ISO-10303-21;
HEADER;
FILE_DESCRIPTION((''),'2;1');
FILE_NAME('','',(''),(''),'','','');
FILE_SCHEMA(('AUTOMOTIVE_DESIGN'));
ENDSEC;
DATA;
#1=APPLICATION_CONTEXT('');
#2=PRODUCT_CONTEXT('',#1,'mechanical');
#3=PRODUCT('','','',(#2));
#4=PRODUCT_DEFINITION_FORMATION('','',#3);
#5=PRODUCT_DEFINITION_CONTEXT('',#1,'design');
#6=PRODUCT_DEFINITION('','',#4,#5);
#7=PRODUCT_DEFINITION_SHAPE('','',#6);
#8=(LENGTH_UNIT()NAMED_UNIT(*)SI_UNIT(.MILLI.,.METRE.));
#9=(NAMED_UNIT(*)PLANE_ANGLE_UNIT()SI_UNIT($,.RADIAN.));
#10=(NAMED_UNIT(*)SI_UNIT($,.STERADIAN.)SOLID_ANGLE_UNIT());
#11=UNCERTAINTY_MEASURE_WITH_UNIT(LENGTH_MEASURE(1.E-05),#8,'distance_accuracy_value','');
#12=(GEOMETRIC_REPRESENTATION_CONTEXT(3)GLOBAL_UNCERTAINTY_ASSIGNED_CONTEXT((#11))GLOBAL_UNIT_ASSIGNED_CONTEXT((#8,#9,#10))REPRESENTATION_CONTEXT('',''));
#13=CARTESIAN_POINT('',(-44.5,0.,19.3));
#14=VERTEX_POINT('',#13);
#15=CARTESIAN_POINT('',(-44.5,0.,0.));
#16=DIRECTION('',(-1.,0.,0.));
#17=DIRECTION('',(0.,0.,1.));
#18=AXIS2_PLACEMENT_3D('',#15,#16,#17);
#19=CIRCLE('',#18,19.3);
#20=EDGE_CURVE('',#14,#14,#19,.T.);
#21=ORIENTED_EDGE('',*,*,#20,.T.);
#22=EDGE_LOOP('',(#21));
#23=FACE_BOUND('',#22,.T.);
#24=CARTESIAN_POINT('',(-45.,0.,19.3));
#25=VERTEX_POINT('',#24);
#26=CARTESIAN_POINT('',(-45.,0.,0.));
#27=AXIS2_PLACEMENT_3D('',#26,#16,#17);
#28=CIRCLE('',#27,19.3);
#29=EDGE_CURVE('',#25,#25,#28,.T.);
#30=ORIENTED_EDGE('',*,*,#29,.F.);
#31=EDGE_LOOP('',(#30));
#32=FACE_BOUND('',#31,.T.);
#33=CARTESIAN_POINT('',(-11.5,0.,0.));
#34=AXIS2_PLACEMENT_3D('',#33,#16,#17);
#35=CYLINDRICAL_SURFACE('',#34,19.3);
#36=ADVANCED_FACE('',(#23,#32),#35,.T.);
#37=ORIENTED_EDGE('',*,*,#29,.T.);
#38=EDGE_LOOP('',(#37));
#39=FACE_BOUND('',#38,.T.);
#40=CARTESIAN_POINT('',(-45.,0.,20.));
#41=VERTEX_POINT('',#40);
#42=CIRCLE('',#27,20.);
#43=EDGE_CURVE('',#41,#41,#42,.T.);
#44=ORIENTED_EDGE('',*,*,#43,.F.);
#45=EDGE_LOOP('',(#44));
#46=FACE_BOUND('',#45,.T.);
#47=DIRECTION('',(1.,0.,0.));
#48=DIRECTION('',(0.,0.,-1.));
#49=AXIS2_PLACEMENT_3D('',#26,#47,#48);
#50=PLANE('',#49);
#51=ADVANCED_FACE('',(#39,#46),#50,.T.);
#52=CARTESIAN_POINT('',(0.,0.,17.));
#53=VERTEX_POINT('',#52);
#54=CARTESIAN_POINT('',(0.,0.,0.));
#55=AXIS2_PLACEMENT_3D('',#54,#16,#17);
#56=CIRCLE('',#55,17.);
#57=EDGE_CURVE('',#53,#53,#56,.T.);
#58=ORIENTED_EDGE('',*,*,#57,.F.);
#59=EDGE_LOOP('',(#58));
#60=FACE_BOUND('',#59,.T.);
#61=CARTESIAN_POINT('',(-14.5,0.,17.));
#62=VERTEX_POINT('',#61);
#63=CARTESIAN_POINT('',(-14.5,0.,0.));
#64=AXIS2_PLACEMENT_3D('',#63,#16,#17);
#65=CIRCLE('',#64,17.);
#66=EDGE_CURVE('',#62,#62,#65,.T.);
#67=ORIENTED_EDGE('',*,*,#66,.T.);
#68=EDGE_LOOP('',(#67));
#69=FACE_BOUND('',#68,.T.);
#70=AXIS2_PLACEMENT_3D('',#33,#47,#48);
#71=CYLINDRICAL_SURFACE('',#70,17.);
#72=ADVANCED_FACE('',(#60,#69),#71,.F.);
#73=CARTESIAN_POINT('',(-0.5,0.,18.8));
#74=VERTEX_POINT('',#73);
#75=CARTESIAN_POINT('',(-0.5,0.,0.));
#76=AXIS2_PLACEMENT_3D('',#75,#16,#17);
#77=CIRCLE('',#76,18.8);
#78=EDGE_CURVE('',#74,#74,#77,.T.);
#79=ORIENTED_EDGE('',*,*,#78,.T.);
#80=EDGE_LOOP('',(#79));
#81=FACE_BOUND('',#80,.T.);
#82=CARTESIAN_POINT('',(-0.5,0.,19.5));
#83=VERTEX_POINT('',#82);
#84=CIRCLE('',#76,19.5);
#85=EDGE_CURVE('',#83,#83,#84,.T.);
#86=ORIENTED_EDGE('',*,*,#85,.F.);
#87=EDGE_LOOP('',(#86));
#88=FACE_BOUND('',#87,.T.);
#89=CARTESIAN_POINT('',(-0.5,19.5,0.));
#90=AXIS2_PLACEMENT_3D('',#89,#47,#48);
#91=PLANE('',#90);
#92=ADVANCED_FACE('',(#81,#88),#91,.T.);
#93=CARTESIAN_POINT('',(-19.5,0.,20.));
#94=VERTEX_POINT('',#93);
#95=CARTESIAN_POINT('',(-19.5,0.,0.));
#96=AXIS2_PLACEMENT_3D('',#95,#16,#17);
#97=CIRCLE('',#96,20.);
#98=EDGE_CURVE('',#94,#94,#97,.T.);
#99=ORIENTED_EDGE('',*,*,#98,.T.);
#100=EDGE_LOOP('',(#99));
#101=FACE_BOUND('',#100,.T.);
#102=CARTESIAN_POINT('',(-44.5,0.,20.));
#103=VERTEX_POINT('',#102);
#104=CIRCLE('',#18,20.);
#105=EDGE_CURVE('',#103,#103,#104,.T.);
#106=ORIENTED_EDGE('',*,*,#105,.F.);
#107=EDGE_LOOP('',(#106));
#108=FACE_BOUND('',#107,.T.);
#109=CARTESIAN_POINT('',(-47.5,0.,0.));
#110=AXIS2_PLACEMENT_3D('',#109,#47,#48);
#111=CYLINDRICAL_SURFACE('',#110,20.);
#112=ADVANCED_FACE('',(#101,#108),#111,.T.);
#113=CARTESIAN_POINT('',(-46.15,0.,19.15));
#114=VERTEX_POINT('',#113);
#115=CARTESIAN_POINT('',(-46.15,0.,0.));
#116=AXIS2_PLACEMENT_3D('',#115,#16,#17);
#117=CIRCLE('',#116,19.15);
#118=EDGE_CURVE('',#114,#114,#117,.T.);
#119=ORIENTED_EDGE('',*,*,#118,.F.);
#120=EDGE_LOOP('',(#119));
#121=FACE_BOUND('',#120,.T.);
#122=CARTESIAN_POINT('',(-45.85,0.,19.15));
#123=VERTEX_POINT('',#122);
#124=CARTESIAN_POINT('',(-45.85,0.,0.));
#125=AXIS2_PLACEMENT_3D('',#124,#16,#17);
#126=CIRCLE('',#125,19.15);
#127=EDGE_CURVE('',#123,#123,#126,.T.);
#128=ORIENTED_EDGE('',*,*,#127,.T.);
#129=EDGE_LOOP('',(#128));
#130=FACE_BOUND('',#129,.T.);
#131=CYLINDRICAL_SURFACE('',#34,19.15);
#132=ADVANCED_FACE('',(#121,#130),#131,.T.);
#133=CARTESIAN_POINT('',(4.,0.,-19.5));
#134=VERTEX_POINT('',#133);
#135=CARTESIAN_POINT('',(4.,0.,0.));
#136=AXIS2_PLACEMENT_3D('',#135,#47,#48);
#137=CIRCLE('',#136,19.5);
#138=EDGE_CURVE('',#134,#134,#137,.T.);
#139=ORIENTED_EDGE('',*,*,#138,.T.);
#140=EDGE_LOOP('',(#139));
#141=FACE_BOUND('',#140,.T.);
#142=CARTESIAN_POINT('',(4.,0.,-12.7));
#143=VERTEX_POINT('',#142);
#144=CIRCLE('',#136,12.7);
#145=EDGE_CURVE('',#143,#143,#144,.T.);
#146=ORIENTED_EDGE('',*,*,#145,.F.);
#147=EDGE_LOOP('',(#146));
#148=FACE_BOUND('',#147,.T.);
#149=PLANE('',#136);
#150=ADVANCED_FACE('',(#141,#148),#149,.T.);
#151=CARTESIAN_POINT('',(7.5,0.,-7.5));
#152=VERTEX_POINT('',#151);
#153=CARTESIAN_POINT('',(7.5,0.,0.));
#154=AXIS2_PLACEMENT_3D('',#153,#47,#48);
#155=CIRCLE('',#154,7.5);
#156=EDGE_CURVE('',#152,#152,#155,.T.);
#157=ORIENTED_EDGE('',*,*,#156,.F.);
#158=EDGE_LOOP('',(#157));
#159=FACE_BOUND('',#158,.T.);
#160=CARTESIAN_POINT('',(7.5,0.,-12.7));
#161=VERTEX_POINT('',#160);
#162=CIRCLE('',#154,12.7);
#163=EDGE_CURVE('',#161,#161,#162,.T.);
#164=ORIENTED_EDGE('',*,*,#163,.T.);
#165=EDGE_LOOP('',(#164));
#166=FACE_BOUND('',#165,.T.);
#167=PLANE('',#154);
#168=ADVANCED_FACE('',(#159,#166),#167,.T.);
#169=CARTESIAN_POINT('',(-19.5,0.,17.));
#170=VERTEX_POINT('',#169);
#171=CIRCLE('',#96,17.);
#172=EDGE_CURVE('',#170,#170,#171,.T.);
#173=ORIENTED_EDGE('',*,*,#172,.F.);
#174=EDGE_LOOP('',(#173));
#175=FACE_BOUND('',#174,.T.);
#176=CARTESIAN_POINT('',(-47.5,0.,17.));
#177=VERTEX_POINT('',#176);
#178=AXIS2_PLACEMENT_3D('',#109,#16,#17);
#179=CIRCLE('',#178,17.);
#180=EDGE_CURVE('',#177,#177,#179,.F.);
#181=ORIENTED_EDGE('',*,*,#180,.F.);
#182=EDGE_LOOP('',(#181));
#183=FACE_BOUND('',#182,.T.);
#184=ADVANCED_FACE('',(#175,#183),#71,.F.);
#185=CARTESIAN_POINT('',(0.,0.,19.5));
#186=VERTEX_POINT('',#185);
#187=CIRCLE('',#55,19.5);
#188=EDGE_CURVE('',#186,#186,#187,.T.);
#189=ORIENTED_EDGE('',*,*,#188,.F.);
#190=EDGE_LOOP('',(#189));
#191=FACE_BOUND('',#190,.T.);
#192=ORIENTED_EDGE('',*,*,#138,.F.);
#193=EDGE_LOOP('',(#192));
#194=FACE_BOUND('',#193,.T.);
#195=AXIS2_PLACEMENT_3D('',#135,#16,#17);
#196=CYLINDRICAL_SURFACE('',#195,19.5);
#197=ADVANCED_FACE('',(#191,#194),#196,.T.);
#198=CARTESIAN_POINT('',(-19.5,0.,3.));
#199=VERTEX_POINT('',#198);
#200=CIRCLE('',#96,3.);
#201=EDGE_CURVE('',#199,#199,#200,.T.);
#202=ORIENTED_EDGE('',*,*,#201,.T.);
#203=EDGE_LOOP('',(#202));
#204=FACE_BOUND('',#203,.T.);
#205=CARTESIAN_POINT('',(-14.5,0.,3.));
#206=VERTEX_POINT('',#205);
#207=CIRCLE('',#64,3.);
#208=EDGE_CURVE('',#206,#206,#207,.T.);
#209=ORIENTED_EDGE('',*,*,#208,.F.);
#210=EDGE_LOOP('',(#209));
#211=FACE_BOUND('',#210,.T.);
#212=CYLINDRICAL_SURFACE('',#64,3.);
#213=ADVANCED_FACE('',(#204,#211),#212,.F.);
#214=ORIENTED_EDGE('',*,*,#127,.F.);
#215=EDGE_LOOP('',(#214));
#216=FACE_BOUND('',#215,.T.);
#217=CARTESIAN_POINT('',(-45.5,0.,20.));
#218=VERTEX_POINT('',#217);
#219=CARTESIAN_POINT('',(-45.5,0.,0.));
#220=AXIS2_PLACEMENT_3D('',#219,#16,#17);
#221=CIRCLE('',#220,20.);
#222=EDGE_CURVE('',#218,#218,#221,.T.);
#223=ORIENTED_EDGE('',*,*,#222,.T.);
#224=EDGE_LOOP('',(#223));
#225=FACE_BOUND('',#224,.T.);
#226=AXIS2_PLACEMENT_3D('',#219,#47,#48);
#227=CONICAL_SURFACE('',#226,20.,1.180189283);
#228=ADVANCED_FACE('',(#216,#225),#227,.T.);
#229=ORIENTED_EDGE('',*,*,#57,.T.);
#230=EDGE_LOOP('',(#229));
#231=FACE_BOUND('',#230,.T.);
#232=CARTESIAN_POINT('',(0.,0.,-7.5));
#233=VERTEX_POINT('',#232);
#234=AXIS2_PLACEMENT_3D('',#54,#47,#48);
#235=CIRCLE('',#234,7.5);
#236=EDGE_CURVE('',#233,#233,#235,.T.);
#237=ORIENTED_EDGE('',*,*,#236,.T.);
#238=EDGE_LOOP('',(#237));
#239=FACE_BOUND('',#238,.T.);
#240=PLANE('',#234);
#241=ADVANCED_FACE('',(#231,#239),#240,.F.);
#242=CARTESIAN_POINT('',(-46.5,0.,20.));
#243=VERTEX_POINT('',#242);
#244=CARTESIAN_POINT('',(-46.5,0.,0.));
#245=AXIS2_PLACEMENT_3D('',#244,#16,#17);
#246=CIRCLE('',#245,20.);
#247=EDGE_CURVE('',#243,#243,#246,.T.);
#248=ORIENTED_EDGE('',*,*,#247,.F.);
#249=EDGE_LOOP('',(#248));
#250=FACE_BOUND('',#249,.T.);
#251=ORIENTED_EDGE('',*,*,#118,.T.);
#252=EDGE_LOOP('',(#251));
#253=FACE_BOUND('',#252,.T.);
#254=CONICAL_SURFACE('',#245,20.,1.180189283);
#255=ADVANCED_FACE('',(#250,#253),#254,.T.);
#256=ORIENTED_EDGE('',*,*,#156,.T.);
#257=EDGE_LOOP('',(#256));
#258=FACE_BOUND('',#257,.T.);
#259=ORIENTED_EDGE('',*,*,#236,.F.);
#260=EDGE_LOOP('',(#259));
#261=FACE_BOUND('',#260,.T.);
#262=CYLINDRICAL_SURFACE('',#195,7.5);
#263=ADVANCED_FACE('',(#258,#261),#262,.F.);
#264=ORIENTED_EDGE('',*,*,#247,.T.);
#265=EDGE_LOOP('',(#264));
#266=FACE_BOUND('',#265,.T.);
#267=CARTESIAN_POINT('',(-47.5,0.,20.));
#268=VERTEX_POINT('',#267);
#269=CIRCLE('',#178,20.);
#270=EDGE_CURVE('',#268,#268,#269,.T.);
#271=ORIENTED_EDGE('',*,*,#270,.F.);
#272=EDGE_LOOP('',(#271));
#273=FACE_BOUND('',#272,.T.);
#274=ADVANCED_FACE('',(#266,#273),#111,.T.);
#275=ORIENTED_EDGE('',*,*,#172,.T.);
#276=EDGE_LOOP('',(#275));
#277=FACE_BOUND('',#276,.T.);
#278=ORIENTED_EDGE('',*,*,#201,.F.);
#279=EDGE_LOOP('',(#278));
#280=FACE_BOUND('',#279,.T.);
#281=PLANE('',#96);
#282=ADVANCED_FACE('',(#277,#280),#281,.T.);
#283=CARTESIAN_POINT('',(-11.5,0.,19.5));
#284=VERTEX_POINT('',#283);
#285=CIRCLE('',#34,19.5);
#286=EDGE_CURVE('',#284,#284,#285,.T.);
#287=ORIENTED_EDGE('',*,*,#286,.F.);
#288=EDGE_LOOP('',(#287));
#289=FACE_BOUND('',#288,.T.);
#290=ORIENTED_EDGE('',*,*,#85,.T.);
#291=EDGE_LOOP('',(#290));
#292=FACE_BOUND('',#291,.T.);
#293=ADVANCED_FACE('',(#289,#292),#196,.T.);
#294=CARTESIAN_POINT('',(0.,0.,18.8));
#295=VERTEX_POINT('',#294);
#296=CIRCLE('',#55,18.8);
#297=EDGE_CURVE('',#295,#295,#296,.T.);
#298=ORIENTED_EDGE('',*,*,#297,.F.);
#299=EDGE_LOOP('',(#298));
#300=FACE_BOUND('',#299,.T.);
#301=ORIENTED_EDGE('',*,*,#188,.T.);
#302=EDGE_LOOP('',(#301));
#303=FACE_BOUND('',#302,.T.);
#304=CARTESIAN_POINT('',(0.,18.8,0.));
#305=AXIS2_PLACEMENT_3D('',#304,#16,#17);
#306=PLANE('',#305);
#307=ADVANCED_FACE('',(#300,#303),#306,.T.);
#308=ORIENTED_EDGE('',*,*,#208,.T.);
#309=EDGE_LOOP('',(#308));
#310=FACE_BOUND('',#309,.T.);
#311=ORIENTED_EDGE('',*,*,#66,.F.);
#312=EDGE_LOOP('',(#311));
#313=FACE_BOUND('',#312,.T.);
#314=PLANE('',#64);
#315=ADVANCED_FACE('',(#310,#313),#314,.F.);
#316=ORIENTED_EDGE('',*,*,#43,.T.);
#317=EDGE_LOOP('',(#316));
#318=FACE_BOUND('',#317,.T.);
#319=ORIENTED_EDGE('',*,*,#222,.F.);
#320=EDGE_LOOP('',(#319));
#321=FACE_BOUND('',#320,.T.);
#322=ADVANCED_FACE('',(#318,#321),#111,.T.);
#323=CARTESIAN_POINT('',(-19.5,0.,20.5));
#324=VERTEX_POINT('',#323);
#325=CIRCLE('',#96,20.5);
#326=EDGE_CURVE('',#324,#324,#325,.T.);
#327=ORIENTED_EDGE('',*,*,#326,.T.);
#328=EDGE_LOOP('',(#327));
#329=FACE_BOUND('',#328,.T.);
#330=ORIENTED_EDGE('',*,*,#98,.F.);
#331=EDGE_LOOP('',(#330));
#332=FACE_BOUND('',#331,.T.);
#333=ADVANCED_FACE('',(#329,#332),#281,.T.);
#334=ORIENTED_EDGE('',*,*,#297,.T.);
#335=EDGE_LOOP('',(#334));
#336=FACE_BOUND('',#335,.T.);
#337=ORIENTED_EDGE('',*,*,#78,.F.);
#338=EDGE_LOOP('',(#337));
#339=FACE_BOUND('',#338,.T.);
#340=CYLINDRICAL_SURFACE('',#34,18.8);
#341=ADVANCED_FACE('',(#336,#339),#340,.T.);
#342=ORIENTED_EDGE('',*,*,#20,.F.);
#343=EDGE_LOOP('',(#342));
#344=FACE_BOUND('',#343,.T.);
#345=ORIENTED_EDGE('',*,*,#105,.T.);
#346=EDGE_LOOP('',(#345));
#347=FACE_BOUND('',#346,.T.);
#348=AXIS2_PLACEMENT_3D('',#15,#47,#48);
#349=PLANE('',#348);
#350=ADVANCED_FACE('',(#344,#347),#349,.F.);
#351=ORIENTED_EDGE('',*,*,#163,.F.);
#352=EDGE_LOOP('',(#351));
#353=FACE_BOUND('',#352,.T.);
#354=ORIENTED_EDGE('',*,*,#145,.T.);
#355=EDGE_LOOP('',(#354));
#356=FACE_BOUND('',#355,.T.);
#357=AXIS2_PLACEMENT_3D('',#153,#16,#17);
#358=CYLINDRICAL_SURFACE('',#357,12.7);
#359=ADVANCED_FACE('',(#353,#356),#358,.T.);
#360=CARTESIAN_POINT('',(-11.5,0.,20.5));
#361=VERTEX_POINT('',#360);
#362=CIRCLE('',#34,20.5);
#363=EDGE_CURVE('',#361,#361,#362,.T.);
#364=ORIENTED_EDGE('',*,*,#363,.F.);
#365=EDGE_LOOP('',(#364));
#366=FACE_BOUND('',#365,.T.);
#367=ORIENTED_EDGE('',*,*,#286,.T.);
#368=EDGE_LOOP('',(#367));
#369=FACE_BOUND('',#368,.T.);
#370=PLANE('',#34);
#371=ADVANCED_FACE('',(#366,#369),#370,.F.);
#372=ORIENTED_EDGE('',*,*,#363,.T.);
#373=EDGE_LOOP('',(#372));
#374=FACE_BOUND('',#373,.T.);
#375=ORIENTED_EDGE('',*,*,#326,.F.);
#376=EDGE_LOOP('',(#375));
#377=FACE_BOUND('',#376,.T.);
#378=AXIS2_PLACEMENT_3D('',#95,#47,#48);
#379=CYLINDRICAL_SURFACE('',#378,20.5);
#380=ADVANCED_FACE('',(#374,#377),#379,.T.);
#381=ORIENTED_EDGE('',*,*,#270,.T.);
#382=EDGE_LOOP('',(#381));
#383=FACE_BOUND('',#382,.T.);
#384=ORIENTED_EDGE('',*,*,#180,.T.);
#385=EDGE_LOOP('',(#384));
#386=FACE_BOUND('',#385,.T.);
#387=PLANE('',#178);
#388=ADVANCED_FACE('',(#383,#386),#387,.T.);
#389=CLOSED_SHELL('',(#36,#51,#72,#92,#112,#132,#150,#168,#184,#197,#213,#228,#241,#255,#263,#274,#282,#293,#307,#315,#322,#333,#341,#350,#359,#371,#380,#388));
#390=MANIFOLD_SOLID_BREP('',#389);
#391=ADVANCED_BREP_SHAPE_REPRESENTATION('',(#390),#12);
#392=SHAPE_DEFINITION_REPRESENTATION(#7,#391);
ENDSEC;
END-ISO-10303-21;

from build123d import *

# Parameters (mm, degrees)
SKETCH1_R           = 19.5
SKETCH1_R_2         = 7.5
BOSS_EXTRUDE1_DEPTH = 4
BOSS_EXTRUDE2_START = 11.5
SKETCH2_R           = 19.5
SKETCH2_R_2         = 17
BOSS_EXTRUDE2_DEPTH = 11.5
SKETCH3_W           = 0.5
SKETCH3_H           = 0.7
BOSS_EXTRUDE3_START = 8
SKETCH4_R           = 20.5
SKETCH4_R_2         = 17
BOSS_EXTRUDE3_DEPTH = 8
BOSS_EXTRUDE4_START = 28
SKETCH5_R           = 20
SKETCH5_R_2         = 17
BOSS_EXTRUDE4_DEPTH = 28
SKETCH6_W           = 0.5
SKETCH6_H           = 0.7
SKETCH7_R           = 12.7
SKETCH7_R_2         = 7.5
BOSS_EXTRUDE5_DEPTH = 3.5
SKETCH8_R           = 20.5
SKETCH8_R_2         = 3
BOSS_EXTRUDE6_DEPTH = 5


with BuildPart() as part:
    # Sketch1 → Boss-Extrude1 (new body)
    with BuildSketch(Plane(origin=(0, 0, 0), x_dir=(0, 0, -1), z_dir=(1, 0, 0))):
        Circle(SKETCH1_R)
        Circle(SKETCH1_R_2, mode=Mode.SUBTRACT)
    extrude(amount=BOSS_EXTRUDE1_DEPTH)

    # Sketch2 → Boss-Extrude2 (add)
    with BuildSketch(Plane.ZY.offset(BOSS_EXTRUDE2_START)):
        Circle(SKETCH2_R)
        Circle(SKETCH2_R_2, mode=Mode.SUBTRACT)
    extrude(amount=-BOSS_EXTRUDE2_DEPTH)

    # Sketch3 → Cut-Revolve1 (revolve, cut)
    with BuildSketch(Plane.XY):
        with Locations((-0.25, 19.15)):
            Rectangle(SKETCH3_W, SKETCH3_H)
    revolve(axis=Axis((-11.5, 0, 0), (1, 0, 0)), mode=Mode.SUBTRACT)

    # Sketch4 → Boss-Extrude3 (add)
    with BuildSketch(Plane.ZY.offset(11.5).offset(BOSS_EXTRUDE3_START)):
        Circle(SKETCH4_R)
        Circle(SKETCH4_R_2, mode=Mode.SUBTRACT)
    extrude(amount=-BOSS_EXTRUDE3_DEPTH)

    # Sketch5 → Boss-Extrude4 (add)
    with BuildSketch(Plane.ZY.offset(19.5).offset(BOSS_EXTRUDE4_START)):
        Circle(SKETCH5_R)
        Circle(SKETCH5_R_2, mode=Mode.SUBTRACT)
    extrude(amount=-BOSS_EXTRUDE4_DEPTH)

    # Sketch6 → Cut-Revolve2 (revolve, cut)
    with BuildSketch(Plane.XY):
        with Locations((-44.75, 19.65)):
            Rectangle(SKETCH6_W, SKETCH6_H)
        Polygon((-45.5, 20), (-46.5, 20), (-46.15, 19.15), (-45.85, 19.15), align=None)
    revolve(axis=Axis((-11.5, 0, 0), (1, 0, 0)), mode=Mode.SUBTRACT)

    # Sketch7 → Boss-Extrude5 (add)
    with BuildSketch(Plane(origin=(4, 0, 0), x_dir=(0, 0, -1), z_dir=(1, 0, 0))):
        Circle(SKETCH7_R)
        Circle(SKETCH7_R_2, mode=Mode.SUBTRACT)
    extrude(amount=BOSS_EXTRUDE5_DEPTH)

    # Sketch8 → Boss-Extrude6 (add)
    with BuildSketch(Plane.ZY.offset(19.5)):
        Circle(SKETCH8_R)
        Circle(SKETCH8_R_2, mode=Mode.SUBTRACT)
    extrude(amount=-BOSS_EXTRUDE6_DEPTH)


solid = part.part
